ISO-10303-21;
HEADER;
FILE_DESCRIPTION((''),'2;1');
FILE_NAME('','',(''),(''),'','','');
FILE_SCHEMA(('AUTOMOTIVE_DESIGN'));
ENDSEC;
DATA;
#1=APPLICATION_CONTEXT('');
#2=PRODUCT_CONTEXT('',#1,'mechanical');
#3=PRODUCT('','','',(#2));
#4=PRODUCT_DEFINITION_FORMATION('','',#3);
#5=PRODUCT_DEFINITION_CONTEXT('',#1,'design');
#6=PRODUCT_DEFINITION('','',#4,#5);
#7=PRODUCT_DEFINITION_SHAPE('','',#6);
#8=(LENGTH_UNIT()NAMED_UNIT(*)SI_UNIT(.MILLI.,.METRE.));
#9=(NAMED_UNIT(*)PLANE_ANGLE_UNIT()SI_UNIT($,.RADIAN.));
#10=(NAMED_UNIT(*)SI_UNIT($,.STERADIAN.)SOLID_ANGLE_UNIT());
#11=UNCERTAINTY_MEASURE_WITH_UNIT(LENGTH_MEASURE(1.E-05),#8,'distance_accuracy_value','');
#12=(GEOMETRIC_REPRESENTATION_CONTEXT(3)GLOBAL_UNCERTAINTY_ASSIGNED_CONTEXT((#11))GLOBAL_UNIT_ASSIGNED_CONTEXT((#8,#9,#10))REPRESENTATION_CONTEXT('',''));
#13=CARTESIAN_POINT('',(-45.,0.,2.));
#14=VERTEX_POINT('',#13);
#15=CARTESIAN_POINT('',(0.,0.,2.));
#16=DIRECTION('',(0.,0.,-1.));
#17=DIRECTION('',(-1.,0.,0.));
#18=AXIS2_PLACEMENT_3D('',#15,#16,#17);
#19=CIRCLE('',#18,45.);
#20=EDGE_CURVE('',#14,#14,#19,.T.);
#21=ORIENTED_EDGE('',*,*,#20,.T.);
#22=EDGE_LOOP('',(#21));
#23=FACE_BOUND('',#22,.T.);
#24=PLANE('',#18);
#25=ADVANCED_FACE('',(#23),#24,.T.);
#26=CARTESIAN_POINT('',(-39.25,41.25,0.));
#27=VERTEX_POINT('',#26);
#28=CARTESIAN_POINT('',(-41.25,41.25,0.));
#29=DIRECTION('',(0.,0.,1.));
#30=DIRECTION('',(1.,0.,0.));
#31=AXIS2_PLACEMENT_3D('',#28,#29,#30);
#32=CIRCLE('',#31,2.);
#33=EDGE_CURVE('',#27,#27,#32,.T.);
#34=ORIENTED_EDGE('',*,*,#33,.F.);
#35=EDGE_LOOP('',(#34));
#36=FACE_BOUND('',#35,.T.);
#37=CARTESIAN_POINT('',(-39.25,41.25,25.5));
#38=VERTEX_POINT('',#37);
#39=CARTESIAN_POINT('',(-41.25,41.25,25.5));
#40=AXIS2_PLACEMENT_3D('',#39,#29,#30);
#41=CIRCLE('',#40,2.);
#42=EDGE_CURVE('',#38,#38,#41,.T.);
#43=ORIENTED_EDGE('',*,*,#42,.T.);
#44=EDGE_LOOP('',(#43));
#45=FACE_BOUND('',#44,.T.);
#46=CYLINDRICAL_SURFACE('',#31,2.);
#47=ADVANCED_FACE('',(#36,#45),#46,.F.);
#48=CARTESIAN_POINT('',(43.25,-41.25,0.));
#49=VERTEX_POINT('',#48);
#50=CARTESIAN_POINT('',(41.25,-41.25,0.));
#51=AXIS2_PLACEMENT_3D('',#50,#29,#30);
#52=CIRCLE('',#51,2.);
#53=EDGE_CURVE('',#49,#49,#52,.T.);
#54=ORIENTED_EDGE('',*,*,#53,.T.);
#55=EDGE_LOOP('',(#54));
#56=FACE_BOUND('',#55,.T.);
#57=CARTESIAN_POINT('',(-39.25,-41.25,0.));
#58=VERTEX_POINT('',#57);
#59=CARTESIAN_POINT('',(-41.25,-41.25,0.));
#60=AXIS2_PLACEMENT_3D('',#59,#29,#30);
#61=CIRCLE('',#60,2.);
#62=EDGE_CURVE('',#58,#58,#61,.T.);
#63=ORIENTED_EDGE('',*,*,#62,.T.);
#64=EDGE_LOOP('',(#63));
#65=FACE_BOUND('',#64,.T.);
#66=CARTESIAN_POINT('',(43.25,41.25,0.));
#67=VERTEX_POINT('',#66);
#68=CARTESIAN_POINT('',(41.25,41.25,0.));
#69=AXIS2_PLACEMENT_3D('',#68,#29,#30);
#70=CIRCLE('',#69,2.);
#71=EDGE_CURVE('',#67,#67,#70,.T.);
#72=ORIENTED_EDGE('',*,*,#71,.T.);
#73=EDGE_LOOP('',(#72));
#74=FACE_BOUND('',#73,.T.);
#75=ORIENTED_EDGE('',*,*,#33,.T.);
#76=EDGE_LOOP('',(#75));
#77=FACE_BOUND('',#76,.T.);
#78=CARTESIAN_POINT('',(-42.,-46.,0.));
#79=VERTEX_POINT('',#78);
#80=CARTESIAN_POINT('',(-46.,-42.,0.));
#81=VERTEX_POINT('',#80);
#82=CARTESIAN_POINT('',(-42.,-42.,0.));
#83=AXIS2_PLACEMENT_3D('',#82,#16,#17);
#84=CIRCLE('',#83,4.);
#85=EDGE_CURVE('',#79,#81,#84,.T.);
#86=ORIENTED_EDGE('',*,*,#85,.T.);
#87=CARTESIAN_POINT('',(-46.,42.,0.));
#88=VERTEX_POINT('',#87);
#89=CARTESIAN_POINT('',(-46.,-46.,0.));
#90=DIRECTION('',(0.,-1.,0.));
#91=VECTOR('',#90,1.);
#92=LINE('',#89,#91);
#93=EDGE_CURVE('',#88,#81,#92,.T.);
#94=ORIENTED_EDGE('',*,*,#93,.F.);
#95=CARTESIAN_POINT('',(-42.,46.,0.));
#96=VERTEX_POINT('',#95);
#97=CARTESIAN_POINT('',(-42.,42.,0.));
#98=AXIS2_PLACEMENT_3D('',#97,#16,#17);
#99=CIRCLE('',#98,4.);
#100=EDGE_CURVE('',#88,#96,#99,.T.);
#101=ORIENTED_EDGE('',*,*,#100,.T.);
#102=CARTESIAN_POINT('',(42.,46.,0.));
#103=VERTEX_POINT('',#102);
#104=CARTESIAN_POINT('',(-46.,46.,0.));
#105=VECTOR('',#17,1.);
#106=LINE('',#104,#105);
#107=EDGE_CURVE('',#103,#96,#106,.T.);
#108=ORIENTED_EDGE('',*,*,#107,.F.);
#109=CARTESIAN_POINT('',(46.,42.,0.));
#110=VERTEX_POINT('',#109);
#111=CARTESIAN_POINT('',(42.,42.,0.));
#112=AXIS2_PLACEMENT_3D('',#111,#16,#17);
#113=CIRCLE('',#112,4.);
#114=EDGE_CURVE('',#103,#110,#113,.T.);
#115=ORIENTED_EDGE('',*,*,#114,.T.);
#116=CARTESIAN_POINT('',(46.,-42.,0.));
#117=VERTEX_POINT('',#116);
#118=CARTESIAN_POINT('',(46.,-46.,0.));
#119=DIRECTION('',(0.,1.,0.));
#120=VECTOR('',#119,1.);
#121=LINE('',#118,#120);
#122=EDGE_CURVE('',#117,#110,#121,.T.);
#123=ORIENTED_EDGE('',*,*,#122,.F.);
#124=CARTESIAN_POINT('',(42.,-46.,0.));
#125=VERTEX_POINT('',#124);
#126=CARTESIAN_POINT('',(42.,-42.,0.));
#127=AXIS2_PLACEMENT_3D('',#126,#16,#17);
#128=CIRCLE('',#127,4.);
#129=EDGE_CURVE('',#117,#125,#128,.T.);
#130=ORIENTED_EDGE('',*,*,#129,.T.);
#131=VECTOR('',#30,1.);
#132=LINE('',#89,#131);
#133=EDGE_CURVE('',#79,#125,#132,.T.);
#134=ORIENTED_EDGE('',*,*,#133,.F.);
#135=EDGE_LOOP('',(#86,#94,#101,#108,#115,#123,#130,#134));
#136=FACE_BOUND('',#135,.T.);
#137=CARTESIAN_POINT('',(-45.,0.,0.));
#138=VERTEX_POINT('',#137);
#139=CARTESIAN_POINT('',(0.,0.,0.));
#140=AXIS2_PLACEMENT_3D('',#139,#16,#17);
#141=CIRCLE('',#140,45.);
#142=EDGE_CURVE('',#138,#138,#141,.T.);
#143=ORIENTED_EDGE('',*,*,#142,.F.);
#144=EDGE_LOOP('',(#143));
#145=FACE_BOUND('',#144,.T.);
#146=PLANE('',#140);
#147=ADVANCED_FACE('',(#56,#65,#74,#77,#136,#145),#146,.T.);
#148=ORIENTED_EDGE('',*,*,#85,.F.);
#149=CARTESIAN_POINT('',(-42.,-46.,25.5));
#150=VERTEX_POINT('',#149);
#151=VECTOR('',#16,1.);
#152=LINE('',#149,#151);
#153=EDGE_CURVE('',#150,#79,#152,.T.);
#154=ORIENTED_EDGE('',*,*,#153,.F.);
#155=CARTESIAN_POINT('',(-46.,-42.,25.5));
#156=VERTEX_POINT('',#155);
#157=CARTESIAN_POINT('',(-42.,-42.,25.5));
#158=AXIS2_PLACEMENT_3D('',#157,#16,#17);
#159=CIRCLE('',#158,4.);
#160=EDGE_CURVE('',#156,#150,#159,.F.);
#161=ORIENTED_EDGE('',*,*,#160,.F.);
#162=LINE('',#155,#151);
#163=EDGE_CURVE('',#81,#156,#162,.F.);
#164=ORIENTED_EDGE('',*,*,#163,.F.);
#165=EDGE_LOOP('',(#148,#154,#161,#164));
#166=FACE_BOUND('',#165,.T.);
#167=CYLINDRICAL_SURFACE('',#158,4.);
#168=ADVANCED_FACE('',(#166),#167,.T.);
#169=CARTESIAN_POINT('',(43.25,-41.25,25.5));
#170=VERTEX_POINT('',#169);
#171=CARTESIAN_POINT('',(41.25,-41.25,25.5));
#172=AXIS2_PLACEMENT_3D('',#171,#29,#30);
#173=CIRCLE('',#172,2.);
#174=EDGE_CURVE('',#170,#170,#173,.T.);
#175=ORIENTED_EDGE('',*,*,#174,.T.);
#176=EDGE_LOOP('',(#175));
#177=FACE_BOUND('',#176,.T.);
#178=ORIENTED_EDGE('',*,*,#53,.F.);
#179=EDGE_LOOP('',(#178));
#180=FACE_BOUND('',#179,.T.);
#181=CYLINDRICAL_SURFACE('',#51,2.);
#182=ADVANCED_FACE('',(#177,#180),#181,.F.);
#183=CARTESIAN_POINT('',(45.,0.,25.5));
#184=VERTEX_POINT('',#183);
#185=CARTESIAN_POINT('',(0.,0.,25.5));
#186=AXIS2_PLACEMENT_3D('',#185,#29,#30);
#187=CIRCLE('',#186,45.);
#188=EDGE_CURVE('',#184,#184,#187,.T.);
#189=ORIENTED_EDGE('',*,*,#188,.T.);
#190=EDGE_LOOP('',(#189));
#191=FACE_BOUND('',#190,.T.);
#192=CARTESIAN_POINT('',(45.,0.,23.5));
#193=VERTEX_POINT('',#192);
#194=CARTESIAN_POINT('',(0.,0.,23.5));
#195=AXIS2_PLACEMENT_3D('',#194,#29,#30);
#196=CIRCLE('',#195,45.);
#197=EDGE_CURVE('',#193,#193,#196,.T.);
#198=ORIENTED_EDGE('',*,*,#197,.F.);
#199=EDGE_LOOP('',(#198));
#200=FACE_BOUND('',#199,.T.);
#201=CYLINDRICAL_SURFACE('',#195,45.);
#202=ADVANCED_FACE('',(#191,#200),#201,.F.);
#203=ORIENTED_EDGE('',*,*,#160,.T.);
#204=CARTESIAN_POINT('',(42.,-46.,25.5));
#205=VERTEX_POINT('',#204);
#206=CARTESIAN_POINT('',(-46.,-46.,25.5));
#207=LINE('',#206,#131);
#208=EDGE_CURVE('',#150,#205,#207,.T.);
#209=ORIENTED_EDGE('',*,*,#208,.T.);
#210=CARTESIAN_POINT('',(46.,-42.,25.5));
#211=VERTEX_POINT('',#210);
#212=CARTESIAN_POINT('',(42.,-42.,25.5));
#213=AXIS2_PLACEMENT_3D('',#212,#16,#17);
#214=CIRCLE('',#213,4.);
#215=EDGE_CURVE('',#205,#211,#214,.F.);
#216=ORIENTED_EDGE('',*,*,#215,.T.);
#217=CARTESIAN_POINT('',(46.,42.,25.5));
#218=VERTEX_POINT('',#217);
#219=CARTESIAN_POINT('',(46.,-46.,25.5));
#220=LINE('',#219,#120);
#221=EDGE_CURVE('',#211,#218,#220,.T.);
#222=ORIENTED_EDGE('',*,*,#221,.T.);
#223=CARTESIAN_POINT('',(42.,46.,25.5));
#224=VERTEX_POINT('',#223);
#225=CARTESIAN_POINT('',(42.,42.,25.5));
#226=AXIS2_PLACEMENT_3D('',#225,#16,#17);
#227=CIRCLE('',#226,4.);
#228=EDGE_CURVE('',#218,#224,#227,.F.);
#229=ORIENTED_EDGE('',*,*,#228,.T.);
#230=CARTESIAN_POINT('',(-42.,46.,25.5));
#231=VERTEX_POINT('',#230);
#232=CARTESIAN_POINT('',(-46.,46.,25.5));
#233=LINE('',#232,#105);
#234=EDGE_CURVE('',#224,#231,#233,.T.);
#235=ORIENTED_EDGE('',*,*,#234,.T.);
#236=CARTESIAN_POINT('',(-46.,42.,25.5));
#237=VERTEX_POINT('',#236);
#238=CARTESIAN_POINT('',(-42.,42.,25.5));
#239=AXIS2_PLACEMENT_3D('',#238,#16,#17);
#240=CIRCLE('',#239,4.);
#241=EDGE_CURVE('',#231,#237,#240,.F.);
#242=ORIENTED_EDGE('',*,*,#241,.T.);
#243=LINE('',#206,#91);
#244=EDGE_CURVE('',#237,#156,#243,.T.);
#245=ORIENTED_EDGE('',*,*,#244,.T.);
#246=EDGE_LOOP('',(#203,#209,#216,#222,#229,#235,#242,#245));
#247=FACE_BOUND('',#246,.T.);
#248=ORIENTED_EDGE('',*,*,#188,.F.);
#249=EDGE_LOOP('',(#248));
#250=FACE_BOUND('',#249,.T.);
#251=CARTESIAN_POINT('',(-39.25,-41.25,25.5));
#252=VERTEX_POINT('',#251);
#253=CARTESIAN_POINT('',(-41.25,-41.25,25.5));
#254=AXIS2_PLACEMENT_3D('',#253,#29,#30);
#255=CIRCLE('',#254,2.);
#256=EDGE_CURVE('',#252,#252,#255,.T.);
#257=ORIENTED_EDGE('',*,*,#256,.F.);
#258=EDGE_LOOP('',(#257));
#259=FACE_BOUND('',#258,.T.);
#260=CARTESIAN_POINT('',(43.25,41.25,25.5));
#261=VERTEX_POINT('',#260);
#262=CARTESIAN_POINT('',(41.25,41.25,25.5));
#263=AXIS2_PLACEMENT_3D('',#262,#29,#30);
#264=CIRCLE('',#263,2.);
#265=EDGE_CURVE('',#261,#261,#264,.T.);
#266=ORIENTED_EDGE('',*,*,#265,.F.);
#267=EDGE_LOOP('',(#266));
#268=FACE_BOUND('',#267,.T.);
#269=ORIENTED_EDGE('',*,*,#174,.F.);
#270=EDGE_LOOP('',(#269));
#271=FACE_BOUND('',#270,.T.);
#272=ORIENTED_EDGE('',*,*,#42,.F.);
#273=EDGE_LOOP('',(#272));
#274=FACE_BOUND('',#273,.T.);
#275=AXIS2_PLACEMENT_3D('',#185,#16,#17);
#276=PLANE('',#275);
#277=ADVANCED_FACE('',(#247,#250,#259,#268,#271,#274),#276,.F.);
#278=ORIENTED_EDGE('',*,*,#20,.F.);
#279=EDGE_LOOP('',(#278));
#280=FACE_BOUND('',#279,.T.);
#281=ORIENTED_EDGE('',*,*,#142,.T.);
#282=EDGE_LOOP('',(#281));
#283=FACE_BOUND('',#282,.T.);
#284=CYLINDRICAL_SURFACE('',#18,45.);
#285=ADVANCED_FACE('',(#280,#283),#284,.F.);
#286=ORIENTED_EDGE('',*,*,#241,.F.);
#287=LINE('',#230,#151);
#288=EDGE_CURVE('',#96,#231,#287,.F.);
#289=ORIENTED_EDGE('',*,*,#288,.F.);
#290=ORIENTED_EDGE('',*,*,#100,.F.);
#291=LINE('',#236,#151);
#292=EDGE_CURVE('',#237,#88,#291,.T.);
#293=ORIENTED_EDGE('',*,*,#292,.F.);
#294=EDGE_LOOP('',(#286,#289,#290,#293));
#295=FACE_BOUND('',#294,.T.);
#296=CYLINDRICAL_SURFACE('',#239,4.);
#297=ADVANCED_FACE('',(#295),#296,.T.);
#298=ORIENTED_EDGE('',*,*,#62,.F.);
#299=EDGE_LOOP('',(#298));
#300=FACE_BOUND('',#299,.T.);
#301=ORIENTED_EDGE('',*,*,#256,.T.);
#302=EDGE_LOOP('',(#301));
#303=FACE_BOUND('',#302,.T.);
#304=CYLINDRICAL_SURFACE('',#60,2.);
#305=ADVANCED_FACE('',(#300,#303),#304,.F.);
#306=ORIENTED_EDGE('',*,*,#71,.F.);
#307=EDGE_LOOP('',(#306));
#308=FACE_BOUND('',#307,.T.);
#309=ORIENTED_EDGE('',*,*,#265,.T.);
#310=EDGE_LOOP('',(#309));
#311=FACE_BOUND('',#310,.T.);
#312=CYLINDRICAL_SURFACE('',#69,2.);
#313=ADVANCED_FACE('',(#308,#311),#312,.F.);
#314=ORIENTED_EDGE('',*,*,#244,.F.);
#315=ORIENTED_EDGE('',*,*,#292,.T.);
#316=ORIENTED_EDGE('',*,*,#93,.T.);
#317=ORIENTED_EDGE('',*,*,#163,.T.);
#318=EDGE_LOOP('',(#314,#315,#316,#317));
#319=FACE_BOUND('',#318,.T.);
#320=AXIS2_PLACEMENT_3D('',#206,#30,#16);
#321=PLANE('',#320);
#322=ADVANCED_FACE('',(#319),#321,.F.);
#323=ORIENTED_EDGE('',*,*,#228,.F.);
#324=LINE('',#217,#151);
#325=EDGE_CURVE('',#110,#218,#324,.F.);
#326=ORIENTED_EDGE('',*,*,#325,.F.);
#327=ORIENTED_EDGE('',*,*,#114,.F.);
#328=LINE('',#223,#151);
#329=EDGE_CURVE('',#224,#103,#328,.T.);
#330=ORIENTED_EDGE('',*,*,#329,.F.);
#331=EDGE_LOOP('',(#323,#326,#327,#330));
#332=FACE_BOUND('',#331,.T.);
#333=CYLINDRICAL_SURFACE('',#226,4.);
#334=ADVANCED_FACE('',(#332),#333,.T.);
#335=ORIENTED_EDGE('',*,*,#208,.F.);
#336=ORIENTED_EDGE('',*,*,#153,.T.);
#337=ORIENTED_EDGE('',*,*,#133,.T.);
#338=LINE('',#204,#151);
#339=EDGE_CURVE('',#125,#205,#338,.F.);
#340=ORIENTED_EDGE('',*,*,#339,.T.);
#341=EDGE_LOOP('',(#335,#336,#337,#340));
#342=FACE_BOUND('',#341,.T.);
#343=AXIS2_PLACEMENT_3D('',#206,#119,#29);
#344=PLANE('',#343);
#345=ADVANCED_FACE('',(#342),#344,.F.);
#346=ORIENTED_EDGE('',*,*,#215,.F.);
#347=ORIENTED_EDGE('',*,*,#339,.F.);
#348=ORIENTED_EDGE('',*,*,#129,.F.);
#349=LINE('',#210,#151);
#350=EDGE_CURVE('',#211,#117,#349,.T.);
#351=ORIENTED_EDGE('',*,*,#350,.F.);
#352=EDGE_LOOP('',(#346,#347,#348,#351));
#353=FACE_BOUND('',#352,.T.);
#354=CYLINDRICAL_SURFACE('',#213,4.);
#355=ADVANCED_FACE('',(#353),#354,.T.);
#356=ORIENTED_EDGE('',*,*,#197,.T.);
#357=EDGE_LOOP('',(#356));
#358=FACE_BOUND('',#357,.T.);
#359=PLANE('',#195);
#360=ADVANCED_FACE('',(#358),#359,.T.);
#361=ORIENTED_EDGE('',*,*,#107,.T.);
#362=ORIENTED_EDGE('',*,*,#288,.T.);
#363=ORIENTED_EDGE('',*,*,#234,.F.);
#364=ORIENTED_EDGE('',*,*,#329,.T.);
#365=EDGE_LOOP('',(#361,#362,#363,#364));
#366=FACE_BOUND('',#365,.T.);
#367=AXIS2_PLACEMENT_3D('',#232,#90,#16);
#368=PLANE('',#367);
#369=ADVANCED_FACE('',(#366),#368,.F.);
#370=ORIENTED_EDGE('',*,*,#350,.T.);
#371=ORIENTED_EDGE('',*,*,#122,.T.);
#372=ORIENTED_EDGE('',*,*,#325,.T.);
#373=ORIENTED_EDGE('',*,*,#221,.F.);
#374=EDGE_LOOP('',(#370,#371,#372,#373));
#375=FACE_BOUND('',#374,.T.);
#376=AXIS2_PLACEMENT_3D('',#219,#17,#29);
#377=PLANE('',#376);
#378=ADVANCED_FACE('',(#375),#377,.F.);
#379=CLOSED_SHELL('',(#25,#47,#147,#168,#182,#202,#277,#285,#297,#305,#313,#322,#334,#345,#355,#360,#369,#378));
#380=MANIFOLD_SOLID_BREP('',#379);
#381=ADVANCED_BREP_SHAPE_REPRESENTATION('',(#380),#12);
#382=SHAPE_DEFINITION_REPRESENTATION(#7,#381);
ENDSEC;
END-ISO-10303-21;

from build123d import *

# Parameters (mm, degrees)
SKETCH1_W           = 92
SKETCH1_H           = 92
BOSS_EXTRUDE1_DEPTH = 25.5
SKETCH2_R           = 2
CUT_EXTRUDE1_DEPTH  = 26.5
FILLET1_R           = 4
SKETCH3_R           = 45
CUT_EXTRUDE2_DEPTH  = 2
SKETCH4_R           = 45
CUT_EXTRUDE3_DEPTH  = 2


with BuildPart() as part:
    # Sketch1 → Boss-Extrude1 (new body)
    with BuildSketch(Plane.XY):
        Rectangle(SKETCH1_W, SKETCH1_H)
    extrude(amount=BOSS_EXTRUDE1_DEPTH)

    # Sketch2 → Cut-Extrude1 (cut, through all)
    with BuildSketch(Plane.XY.offset(25.5)):
        with Locations((-41.25, 41.25)):
            Circle(SKETCH2_R)
        with Locations((41.25, 41.25)):
            Circle(SKETCH2_R)
        with Locations((41.25, -41.25)):
            Circle(SKETCH2_R)
        with Locations((-41.25, -41.25)):
            Circle(SKETCH2_R)
    extrude(amount=-CUT_EXTRUDE1_DEPTH, mode=Mode.SUBTRACT)

    # Fillet1
    fillet1_edges = [part.edges().sort_by_distance(p)[0] for p in [
        (46, -46, 12.75),
        (-46, -46, 12.75),
        (-46, 46, 12.75),
        (46, 46, 12.75),
    ]]
    fillet(fillet1_edges, radius=FILLET1_R)

    # Sketch3 → Cut-Extrude2 (cut)
    with BuildSketch(Plane.XY.offset(25.5)):
        Circle(SKETCH3_R)
    extrude(amount=-CUT_EXTRUDE2_DEPTH, mode=Mode.SUBTRACT)

    # Sketch4 → Cut-Extrude3 (cut)
    with BuildSketch(Plane(origin=(0, 0, 0), x_dir=(-1, 0, 0), z_dir=(0, 0, -1))):
        Circle(SKETCH4_R)
    extrude(amount=-CUT_EXTRUDE3_DEPTH, mode=Mode.SUBTRACT)


solid = part.part
